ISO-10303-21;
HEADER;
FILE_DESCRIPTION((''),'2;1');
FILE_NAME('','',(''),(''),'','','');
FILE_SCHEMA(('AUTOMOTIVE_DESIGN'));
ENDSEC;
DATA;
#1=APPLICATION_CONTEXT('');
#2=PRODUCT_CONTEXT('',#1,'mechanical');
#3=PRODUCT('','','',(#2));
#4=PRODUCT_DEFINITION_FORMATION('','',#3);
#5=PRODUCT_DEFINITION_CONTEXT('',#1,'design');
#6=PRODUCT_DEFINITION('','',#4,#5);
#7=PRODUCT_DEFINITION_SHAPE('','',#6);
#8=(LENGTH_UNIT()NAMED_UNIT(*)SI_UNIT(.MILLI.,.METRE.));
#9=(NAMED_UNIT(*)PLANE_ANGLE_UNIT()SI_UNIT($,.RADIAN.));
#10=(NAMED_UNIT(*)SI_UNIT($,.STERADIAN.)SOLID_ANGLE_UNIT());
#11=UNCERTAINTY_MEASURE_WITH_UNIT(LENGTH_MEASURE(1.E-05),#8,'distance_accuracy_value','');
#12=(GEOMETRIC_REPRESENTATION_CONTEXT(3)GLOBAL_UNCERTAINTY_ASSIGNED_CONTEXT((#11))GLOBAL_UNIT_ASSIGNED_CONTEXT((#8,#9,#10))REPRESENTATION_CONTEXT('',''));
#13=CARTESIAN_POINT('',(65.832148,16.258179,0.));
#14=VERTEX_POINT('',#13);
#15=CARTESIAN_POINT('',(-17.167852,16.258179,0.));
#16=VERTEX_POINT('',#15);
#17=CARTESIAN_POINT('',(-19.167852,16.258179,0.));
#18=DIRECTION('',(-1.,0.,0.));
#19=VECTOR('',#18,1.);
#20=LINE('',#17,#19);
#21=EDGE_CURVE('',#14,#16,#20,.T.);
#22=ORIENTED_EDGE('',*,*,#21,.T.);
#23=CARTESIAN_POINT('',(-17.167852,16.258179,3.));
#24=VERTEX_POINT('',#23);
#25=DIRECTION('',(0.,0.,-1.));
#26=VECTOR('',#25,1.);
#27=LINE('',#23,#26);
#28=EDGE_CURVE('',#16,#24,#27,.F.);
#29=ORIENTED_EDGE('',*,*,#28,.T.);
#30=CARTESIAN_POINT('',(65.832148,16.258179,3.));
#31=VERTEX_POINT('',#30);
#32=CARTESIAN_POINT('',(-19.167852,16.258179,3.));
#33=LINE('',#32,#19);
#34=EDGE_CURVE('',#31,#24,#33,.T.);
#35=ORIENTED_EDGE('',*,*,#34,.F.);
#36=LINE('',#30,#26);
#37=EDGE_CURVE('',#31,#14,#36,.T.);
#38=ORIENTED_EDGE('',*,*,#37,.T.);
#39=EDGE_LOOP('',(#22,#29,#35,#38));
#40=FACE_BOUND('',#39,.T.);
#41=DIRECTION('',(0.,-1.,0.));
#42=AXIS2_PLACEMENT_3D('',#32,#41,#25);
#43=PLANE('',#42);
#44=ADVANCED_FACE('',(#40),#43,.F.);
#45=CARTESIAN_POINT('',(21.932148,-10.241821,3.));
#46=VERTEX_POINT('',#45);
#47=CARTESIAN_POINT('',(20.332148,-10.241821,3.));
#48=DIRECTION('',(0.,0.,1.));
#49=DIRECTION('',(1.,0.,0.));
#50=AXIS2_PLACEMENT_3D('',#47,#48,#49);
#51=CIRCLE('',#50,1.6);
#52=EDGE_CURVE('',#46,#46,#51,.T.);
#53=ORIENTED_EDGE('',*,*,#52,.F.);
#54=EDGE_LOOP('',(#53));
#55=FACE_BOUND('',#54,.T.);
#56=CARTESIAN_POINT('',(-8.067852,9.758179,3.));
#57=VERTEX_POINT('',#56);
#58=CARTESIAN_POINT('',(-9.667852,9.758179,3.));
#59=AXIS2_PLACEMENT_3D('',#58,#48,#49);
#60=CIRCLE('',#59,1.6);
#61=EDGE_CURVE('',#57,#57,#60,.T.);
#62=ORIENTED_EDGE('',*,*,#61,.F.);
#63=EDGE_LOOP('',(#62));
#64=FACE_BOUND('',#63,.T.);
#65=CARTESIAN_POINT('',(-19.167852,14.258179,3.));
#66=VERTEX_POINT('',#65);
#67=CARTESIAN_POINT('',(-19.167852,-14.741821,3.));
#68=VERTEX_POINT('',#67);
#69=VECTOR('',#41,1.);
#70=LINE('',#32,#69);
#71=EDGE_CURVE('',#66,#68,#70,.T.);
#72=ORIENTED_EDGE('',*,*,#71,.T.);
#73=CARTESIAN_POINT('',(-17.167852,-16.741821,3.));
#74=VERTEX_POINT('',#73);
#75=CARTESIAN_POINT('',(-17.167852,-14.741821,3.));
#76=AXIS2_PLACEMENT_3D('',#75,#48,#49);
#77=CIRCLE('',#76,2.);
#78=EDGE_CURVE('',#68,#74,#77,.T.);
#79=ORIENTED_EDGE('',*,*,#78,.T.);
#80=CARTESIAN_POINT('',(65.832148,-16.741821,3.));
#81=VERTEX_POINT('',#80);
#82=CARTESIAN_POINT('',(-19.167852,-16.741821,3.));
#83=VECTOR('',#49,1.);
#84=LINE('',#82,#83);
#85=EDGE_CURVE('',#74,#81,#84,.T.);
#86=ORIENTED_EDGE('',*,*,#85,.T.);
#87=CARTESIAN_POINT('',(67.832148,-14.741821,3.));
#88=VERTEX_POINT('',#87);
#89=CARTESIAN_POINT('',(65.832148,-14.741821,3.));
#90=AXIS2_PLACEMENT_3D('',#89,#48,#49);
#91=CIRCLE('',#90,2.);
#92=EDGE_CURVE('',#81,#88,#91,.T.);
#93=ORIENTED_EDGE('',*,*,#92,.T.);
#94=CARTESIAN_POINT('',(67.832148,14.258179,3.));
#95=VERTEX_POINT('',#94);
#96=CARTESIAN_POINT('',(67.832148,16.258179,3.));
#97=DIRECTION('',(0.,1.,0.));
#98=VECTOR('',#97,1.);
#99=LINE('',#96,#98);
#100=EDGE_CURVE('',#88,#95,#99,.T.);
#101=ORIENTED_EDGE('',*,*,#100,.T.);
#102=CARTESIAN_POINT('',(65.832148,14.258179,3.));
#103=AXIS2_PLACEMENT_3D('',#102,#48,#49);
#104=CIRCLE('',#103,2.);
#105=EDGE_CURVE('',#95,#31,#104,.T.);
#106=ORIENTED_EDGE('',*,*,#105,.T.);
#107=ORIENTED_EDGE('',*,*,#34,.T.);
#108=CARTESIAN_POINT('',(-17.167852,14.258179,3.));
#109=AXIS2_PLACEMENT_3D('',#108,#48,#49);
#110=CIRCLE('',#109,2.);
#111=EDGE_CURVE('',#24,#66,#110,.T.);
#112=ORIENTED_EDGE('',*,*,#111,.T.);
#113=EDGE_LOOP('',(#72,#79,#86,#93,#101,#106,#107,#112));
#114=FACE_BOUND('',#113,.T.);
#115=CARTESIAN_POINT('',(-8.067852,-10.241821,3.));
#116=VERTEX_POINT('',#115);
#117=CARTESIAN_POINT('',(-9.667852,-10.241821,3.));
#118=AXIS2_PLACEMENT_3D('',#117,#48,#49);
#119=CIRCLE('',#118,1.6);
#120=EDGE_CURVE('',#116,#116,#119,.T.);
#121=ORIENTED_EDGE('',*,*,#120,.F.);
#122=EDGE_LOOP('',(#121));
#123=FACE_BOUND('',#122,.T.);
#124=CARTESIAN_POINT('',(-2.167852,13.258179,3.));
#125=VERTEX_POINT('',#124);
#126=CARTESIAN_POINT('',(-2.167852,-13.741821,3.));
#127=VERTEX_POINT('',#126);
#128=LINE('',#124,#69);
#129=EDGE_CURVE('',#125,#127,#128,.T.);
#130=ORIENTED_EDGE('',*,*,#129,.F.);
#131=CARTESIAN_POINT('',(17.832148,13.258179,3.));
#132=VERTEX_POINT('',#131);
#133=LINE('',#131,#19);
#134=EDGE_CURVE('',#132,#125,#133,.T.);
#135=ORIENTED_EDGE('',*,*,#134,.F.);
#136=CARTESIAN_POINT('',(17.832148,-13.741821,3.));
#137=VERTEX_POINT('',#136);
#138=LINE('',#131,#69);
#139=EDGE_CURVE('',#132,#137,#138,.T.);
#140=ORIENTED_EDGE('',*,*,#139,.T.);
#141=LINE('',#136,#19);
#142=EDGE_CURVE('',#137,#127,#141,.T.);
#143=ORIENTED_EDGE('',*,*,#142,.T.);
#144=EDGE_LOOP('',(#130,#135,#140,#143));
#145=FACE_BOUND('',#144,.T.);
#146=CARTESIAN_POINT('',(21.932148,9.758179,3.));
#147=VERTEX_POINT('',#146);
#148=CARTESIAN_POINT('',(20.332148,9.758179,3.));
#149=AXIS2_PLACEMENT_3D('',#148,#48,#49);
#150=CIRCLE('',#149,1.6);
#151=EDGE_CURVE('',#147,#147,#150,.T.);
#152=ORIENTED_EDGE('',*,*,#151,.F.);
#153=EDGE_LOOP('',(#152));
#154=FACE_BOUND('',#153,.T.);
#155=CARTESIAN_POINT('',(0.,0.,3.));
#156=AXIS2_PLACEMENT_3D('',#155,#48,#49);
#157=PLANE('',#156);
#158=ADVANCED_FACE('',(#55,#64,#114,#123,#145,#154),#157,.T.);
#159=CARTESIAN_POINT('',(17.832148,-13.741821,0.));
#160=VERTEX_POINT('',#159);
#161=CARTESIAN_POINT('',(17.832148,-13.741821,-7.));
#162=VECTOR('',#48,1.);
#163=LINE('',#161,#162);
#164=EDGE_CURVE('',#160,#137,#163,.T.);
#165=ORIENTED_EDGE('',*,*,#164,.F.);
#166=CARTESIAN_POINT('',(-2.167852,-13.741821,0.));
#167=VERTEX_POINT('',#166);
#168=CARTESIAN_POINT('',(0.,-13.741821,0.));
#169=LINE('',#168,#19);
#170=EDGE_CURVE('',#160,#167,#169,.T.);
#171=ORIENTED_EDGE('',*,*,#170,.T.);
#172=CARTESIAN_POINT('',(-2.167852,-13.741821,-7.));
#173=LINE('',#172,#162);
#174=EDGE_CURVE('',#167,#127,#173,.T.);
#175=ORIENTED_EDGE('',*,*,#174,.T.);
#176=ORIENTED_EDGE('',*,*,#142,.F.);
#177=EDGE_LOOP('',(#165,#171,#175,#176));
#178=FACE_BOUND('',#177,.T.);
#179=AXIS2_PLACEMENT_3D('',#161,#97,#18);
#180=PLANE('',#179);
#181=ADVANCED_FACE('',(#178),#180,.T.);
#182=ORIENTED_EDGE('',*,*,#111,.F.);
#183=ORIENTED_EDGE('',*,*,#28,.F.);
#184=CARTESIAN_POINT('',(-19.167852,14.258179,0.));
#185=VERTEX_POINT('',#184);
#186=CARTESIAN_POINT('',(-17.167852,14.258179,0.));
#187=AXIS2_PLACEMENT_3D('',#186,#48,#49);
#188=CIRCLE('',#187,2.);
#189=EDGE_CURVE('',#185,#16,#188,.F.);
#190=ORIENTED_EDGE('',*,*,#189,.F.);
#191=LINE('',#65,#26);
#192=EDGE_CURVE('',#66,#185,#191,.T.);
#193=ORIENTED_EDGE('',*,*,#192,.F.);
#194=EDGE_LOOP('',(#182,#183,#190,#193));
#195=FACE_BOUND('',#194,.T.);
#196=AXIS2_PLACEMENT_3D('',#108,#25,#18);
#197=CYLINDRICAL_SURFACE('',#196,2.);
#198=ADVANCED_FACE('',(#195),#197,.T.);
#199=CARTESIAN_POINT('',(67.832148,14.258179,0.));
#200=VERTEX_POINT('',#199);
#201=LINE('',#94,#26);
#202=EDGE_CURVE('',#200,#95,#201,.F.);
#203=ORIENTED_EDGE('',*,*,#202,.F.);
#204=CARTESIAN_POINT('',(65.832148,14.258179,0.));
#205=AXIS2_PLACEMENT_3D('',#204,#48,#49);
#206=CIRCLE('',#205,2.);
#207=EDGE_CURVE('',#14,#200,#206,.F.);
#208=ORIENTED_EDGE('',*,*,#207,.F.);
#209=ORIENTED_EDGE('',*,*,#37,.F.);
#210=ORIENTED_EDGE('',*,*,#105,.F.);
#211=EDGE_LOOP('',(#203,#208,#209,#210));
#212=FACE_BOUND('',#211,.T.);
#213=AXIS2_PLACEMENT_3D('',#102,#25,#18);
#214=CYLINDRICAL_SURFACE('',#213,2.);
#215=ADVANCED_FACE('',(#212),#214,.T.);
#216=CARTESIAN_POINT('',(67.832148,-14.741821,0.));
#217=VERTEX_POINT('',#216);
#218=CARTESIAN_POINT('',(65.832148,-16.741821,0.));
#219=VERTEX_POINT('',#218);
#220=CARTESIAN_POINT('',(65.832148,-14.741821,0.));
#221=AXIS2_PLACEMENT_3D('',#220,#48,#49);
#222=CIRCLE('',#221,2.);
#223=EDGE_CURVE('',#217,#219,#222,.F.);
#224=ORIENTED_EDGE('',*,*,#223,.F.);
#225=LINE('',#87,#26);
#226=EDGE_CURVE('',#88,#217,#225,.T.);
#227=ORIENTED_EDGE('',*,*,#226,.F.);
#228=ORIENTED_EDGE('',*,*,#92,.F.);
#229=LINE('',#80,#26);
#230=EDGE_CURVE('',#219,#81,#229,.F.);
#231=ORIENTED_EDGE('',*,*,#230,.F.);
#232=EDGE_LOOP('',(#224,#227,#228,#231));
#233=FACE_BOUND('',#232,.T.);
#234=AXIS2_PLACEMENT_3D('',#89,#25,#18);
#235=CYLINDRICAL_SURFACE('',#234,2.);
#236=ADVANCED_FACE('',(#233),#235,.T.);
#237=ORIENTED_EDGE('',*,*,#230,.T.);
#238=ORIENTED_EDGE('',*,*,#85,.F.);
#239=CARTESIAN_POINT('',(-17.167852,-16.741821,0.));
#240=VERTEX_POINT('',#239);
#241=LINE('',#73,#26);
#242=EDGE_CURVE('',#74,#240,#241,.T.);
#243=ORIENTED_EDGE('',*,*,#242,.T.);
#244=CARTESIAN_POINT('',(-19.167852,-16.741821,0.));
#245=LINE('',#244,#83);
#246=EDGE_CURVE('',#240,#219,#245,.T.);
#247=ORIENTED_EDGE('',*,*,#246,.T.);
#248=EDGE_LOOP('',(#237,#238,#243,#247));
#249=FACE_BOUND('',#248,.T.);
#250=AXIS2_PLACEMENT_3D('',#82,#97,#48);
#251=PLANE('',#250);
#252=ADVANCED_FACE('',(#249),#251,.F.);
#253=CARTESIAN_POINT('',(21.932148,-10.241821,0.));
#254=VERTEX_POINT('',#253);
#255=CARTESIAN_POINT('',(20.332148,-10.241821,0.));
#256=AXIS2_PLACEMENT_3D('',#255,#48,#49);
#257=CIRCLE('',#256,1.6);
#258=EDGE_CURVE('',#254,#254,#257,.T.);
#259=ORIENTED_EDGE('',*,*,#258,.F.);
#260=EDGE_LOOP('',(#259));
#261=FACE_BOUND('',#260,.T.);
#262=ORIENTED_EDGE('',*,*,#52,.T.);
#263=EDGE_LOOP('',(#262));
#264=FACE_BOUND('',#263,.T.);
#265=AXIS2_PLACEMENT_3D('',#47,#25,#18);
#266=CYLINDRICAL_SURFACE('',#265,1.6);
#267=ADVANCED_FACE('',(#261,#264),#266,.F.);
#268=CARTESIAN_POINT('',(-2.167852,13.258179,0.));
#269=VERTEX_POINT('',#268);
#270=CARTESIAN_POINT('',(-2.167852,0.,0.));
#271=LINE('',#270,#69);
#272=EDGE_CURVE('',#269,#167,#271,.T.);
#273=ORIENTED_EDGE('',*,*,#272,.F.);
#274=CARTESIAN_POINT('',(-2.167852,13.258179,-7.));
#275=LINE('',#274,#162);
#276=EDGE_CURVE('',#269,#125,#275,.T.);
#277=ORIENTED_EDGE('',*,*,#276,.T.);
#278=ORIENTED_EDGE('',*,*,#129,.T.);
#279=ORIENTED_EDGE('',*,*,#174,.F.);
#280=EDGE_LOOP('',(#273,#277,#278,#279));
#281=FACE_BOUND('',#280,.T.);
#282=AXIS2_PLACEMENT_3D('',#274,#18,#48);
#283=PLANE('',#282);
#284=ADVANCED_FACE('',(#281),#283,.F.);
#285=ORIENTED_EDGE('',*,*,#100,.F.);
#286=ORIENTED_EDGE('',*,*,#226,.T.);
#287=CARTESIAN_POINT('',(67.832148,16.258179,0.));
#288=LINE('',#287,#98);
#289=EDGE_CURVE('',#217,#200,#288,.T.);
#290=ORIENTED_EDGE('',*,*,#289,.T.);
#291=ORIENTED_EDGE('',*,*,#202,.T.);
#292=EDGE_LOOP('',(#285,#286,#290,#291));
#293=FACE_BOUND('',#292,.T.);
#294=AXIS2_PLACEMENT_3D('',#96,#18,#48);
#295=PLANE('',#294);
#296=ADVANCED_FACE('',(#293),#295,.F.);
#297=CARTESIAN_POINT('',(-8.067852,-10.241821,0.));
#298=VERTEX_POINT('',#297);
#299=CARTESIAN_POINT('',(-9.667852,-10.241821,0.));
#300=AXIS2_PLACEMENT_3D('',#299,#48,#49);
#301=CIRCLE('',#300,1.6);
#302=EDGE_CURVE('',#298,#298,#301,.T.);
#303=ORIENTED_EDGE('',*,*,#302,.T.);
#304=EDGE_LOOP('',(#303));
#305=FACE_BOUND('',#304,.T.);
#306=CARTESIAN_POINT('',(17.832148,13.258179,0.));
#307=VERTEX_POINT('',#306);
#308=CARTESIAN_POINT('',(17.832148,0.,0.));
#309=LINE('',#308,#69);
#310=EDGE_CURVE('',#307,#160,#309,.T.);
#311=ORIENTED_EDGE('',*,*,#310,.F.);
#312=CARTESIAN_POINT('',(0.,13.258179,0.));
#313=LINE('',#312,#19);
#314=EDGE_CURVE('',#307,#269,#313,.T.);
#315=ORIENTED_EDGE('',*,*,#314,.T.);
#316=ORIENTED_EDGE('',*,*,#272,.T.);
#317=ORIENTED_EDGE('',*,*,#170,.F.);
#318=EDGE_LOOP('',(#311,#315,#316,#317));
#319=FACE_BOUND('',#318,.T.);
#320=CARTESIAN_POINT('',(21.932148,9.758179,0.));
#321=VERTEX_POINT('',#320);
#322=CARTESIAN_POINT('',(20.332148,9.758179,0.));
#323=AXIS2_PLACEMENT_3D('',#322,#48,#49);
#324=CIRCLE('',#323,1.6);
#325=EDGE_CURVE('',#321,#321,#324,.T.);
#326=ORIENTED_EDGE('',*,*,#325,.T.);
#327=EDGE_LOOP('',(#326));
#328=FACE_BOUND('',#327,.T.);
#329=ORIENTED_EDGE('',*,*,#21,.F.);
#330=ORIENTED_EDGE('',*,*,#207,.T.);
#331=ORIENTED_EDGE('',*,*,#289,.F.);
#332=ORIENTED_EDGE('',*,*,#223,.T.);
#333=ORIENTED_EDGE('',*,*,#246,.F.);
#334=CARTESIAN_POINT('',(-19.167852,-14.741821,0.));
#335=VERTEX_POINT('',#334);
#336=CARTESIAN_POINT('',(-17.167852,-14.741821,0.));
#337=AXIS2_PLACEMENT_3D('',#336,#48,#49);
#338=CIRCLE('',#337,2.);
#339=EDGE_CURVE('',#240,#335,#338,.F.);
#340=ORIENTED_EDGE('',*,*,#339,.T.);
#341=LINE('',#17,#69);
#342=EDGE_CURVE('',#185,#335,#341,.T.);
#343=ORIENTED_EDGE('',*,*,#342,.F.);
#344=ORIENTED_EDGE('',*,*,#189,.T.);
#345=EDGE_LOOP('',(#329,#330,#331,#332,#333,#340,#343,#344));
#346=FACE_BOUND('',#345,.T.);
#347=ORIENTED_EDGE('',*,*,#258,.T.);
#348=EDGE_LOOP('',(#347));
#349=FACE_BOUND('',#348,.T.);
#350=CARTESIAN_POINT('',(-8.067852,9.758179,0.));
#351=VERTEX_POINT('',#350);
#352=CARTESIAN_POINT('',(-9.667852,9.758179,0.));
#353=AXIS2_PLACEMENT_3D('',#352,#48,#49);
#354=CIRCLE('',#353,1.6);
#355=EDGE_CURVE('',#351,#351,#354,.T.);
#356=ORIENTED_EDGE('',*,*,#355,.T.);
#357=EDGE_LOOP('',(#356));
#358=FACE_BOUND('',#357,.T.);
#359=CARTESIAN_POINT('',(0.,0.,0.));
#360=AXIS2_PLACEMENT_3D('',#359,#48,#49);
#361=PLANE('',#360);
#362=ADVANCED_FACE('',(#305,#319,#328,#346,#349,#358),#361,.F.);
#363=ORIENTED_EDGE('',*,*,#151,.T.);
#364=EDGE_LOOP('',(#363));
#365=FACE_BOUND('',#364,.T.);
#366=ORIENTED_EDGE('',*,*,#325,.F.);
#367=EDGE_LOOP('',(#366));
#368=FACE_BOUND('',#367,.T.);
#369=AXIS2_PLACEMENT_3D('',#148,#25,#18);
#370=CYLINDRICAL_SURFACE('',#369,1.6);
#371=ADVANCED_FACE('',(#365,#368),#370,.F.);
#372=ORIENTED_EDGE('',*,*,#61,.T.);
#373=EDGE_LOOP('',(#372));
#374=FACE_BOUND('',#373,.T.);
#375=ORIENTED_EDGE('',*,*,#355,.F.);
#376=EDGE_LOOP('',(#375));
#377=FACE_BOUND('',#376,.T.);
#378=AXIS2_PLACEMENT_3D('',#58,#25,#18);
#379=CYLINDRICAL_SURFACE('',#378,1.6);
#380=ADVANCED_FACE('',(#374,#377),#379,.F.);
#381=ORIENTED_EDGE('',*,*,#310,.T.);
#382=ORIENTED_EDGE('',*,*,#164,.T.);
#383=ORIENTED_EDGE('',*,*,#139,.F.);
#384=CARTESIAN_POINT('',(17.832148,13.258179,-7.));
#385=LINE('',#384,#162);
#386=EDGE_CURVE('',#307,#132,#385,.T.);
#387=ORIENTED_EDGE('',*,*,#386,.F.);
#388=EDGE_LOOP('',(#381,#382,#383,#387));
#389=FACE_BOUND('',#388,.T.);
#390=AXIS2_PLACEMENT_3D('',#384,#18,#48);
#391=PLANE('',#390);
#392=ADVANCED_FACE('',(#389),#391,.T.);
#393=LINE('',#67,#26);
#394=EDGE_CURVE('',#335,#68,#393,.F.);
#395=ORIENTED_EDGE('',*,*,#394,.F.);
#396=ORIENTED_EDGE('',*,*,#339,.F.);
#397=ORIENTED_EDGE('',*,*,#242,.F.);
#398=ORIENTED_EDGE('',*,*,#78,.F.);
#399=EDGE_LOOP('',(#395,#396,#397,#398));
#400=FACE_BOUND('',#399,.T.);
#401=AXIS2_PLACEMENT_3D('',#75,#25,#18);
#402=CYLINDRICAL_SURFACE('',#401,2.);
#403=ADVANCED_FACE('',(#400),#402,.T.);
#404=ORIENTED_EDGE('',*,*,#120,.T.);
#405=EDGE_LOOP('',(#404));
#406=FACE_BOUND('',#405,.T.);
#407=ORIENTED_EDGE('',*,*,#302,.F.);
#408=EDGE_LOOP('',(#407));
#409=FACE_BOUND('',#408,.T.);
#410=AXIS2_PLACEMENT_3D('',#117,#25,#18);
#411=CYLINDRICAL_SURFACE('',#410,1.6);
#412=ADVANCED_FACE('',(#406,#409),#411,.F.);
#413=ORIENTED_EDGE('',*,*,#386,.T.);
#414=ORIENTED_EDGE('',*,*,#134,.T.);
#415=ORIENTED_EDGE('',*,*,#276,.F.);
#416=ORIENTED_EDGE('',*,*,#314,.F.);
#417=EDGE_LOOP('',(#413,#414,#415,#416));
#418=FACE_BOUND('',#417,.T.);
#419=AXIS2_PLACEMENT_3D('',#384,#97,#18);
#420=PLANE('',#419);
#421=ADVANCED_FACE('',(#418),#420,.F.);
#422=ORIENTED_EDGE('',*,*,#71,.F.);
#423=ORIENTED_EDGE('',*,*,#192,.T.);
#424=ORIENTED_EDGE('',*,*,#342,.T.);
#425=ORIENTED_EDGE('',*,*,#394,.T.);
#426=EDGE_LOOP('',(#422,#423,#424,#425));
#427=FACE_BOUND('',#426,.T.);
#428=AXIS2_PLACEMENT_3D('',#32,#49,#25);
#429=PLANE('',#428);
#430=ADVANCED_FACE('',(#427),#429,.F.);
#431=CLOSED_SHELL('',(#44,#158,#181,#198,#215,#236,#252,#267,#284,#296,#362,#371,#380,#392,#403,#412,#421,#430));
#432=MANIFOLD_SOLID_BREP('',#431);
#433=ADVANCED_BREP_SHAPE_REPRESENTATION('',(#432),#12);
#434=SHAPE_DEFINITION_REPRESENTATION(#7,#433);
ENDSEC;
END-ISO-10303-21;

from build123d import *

# Parameters (mm, degrees)
SKETCH1_W           = 87
SKETCH1_H           = 33
SKETCH1_R           = 1.6
BOSS_EXTRUDE2_DEPTH = 3
FILLET1_R           = 2
SKETCH2_W           = 20
SKETCH2_H           = 27
CUT_EXTRUDE1_DEPTH  = 10


with BuildPart() as part:
    # Sketch1 → Boss-Extrude2 (new body)
    with BuildSketch(Plane.XY):
        with Locations((24.332147937, -0.241820768)):
            Rectangle(SKETCH1_W, SKETCH1_H)
        with Locations((-9.667852063, 9.758179232)):
            Circle(SKETCH1_R, mode=Mode.SUBTRACT)
        with Locations((20.332147937, 9.758179232)):
            Circle(SKETCH1_R, mode=Mode.SUBTRACT)
        with Locations((-9.667852063, -10.241820768)):
            Circle(SKETCH1_R, mode=Mode.SUBTRACT)
        with Locations((20.332147937, -10.241820768)):
            Circle(SKETCH1_R, mode=Mode.SUBTRACT)
    extrude(amount=BOSS_EXTRUDE2_DEPTH)

    # Fillet1
    fillet1_edges = [part.edges().sort_by_distance(p)[0] for p in [
        (-19.167852063, 16.258179232, 1.5),
        (67.832147937, 16.258179232, 1.5),
        (67.832147937, -16.741820768, 1.5),
        (-19.167852063, -16.741820768, 1.5),
    ]]
    fillet(fillet1_edges, radius=FILLET1_R)

    # Sketch2 → Cut-Extrude1 (cut)
    with BuildSketch(Plane.XY.offset(3)):
        with Locations((7.832147937, -0.241820768)):
            Rectangle(SKETCH2_W, SKETCH2_H)
    extrude(amount=-CUT_EXTRUDE1_DEPTH, mode=Mode.SUBTRACT)


solid = part.part
